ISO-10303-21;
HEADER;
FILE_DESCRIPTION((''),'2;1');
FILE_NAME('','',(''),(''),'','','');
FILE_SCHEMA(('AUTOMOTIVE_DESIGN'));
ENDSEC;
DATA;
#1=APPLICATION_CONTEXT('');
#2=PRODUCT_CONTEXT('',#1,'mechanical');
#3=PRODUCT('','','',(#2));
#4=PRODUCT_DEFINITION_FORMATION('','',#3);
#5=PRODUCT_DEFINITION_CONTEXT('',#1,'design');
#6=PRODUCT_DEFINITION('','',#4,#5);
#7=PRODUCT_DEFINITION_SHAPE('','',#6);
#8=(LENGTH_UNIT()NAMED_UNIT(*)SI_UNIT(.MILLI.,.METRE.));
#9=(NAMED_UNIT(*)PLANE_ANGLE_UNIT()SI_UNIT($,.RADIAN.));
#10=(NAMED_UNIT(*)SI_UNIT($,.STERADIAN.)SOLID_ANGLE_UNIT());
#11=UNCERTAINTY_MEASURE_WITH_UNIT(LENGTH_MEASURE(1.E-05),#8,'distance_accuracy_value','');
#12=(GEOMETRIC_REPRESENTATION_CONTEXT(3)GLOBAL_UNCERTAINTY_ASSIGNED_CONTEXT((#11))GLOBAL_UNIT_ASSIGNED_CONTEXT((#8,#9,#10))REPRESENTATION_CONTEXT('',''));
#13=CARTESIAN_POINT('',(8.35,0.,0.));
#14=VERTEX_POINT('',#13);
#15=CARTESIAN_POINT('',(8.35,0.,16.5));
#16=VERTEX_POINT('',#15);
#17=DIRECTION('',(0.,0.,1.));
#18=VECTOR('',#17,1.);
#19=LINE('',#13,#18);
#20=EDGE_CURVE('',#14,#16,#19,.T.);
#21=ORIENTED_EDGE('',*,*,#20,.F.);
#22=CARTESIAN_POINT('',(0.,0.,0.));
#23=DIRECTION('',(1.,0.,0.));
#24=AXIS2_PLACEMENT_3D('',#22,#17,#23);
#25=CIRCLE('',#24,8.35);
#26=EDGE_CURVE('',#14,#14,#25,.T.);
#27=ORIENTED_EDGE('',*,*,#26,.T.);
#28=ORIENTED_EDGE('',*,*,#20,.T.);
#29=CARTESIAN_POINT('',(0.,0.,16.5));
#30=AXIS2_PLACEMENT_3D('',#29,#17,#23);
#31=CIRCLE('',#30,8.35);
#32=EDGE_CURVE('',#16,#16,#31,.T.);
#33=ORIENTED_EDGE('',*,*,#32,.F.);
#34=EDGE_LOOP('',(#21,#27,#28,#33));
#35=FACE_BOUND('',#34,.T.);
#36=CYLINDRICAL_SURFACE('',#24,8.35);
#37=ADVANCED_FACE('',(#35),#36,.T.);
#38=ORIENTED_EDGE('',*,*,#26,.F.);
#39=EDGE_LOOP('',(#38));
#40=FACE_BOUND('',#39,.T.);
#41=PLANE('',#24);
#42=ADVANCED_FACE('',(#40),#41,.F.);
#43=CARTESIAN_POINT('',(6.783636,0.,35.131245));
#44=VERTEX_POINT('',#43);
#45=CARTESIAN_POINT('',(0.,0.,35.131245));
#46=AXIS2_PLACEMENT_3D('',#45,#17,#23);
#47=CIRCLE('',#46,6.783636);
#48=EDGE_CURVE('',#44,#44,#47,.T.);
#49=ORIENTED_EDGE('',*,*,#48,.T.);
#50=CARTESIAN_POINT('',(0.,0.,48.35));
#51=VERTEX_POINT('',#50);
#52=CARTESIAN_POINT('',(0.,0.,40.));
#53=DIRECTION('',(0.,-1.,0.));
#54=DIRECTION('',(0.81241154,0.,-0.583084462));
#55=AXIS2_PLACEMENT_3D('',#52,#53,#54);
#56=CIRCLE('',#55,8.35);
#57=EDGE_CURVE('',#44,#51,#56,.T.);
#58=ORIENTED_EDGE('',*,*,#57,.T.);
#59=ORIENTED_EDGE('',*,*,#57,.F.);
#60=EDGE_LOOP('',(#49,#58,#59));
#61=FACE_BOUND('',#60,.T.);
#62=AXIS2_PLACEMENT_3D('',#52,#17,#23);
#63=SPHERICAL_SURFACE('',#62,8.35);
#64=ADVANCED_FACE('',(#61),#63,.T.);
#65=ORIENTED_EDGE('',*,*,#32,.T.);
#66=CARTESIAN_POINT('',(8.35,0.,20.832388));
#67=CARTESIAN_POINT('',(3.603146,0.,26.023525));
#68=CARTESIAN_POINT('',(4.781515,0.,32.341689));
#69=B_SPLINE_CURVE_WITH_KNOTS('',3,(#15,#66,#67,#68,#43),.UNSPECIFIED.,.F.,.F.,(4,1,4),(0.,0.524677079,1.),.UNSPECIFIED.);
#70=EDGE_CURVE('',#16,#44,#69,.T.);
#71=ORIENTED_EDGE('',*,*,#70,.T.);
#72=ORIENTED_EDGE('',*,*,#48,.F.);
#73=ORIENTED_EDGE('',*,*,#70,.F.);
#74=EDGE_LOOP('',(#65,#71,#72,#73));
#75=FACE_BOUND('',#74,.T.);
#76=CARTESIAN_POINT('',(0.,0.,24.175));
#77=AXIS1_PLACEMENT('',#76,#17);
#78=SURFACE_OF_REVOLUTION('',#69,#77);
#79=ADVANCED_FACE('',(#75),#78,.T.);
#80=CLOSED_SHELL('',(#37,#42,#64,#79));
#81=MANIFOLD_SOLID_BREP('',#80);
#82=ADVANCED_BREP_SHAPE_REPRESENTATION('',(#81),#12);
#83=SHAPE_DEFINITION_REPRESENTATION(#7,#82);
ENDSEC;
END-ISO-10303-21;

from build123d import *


with BuildPart() as f1:
    # F0 (on Front) → F1 (revolve)
    with BuildSketch(Plane.XZ):
        with BuildLine():
            Line((0, 48.35), (0, 0))
            Line((0, 0), (8.35, 0))
            Line((8.35, 0), (8.35, 16.5))
            add(Edge.make_bspline(
                [(8.35, 16.5), (8.35, 20.8323882095), (3.6031455836, 26.0235248627), (4.7815151159, 32.3416893585), (6.7836363562, 35.1312447395)],
                knots=[0, 0, 0, 0, 0.5246770794, 1, 1, 1, 1], degree=3))
            ThreePointArc((6.7836363562, 35.1312447395), (7.4288830394, 43.8123741668), (0, 48.35))
        make_face()
    revolve(axis=Axis((0, 0, 24.175), (0, 0, 1)))


solid = f1.part
